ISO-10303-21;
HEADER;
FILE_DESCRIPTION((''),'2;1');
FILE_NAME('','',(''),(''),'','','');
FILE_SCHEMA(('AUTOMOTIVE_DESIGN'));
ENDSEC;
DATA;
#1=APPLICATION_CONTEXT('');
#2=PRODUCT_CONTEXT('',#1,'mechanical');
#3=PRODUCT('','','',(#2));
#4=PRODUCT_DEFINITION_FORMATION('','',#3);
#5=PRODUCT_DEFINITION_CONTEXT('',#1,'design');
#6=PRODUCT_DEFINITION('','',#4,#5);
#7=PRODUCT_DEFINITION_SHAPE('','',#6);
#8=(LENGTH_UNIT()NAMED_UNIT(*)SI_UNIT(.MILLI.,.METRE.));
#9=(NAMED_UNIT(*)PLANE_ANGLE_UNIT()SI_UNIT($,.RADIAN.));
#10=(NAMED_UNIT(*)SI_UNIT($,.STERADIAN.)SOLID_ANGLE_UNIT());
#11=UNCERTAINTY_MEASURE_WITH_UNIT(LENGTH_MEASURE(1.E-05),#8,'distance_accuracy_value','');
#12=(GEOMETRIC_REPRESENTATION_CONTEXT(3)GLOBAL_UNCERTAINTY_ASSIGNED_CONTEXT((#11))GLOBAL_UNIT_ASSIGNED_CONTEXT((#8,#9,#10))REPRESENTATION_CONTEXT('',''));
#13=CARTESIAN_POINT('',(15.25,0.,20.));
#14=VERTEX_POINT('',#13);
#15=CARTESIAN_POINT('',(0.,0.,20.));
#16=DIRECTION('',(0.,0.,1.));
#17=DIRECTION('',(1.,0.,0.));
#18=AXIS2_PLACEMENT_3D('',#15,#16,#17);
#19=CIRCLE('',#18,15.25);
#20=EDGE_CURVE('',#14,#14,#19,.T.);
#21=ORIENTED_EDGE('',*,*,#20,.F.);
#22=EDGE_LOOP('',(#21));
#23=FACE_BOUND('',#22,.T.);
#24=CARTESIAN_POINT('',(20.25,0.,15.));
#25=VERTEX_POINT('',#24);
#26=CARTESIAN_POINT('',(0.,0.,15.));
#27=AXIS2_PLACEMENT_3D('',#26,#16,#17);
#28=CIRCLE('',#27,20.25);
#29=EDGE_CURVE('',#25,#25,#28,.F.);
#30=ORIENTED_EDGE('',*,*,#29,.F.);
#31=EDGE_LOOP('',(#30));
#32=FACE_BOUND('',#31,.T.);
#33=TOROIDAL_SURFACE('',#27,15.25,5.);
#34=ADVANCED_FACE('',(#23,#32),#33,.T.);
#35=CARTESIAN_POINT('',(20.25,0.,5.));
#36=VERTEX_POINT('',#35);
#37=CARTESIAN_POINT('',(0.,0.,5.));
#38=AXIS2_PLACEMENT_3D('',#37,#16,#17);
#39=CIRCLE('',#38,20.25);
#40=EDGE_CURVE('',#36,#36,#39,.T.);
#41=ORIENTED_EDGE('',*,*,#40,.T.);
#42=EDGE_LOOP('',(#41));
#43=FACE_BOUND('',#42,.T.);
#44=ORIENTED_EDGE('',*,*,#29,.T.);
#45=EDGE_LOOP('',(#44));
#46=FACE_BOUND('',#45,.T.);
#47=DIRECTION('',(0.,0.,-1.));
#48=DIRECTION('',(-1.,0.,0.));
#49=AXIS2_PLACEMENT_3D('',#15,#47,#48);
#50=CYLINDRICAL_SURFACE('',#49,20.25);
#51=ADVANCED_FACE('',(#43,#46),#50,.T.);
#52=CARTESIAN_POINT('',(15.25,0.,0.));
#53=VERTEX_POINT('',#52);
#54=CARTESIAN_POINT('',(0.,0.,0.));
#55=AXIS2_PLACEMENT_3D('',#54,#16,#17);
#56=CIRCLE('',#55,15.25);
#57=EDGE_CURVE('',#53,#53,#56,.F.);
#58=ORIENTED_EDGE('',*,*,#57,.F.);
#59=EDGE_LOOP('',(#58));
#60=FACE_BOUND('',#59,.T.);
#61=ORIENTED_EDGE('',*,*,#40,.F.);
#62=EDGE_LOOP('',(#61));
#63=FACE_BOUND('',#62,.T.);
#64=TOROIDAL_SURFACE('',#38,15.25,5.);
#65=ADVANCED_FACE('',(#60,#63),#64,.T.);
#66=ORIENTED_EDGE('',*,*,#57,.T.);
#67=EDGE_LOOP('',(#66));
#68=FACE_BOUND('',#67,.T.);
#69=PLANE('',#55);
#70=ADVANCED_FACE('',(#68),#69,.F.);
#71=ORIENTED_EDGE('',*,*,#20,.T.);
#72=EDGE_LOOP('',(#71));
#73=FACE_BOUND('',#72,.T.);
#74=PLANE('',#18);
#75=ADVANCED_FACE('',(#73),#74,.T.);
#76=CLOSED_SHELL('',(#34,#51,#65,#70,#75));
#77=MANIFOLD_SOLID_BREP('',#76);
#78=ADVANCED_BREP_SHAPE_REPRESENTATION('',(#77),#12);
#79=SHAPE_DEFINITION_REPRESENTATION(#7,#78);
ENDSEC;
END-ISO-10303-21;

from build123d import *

# Parameters (mm, degrees)
SKETCH_1_R      = 20.25
EXTRUDE_1_DEPTH = 20
FILLET_1_R      = 5


with BuildPart() as part:
    # 草图1 → 凸台-拉伸1 (new body)
    with BuildSketch(Plane.XY):
        Circle(SKETCH_1_R)
    extrude(amount=EXTRUDE_1_DEPTH)

    # 圆角1
    fillet_1_edges = [part.edges().sort_by_distance(p)[0] for p in [
        (-20.25, 0, 0),
        (-20.25, 0, 20),
    ]]
    fillet(fillet_1_edges, radius=FILLET_1_R)


solid = part.part
